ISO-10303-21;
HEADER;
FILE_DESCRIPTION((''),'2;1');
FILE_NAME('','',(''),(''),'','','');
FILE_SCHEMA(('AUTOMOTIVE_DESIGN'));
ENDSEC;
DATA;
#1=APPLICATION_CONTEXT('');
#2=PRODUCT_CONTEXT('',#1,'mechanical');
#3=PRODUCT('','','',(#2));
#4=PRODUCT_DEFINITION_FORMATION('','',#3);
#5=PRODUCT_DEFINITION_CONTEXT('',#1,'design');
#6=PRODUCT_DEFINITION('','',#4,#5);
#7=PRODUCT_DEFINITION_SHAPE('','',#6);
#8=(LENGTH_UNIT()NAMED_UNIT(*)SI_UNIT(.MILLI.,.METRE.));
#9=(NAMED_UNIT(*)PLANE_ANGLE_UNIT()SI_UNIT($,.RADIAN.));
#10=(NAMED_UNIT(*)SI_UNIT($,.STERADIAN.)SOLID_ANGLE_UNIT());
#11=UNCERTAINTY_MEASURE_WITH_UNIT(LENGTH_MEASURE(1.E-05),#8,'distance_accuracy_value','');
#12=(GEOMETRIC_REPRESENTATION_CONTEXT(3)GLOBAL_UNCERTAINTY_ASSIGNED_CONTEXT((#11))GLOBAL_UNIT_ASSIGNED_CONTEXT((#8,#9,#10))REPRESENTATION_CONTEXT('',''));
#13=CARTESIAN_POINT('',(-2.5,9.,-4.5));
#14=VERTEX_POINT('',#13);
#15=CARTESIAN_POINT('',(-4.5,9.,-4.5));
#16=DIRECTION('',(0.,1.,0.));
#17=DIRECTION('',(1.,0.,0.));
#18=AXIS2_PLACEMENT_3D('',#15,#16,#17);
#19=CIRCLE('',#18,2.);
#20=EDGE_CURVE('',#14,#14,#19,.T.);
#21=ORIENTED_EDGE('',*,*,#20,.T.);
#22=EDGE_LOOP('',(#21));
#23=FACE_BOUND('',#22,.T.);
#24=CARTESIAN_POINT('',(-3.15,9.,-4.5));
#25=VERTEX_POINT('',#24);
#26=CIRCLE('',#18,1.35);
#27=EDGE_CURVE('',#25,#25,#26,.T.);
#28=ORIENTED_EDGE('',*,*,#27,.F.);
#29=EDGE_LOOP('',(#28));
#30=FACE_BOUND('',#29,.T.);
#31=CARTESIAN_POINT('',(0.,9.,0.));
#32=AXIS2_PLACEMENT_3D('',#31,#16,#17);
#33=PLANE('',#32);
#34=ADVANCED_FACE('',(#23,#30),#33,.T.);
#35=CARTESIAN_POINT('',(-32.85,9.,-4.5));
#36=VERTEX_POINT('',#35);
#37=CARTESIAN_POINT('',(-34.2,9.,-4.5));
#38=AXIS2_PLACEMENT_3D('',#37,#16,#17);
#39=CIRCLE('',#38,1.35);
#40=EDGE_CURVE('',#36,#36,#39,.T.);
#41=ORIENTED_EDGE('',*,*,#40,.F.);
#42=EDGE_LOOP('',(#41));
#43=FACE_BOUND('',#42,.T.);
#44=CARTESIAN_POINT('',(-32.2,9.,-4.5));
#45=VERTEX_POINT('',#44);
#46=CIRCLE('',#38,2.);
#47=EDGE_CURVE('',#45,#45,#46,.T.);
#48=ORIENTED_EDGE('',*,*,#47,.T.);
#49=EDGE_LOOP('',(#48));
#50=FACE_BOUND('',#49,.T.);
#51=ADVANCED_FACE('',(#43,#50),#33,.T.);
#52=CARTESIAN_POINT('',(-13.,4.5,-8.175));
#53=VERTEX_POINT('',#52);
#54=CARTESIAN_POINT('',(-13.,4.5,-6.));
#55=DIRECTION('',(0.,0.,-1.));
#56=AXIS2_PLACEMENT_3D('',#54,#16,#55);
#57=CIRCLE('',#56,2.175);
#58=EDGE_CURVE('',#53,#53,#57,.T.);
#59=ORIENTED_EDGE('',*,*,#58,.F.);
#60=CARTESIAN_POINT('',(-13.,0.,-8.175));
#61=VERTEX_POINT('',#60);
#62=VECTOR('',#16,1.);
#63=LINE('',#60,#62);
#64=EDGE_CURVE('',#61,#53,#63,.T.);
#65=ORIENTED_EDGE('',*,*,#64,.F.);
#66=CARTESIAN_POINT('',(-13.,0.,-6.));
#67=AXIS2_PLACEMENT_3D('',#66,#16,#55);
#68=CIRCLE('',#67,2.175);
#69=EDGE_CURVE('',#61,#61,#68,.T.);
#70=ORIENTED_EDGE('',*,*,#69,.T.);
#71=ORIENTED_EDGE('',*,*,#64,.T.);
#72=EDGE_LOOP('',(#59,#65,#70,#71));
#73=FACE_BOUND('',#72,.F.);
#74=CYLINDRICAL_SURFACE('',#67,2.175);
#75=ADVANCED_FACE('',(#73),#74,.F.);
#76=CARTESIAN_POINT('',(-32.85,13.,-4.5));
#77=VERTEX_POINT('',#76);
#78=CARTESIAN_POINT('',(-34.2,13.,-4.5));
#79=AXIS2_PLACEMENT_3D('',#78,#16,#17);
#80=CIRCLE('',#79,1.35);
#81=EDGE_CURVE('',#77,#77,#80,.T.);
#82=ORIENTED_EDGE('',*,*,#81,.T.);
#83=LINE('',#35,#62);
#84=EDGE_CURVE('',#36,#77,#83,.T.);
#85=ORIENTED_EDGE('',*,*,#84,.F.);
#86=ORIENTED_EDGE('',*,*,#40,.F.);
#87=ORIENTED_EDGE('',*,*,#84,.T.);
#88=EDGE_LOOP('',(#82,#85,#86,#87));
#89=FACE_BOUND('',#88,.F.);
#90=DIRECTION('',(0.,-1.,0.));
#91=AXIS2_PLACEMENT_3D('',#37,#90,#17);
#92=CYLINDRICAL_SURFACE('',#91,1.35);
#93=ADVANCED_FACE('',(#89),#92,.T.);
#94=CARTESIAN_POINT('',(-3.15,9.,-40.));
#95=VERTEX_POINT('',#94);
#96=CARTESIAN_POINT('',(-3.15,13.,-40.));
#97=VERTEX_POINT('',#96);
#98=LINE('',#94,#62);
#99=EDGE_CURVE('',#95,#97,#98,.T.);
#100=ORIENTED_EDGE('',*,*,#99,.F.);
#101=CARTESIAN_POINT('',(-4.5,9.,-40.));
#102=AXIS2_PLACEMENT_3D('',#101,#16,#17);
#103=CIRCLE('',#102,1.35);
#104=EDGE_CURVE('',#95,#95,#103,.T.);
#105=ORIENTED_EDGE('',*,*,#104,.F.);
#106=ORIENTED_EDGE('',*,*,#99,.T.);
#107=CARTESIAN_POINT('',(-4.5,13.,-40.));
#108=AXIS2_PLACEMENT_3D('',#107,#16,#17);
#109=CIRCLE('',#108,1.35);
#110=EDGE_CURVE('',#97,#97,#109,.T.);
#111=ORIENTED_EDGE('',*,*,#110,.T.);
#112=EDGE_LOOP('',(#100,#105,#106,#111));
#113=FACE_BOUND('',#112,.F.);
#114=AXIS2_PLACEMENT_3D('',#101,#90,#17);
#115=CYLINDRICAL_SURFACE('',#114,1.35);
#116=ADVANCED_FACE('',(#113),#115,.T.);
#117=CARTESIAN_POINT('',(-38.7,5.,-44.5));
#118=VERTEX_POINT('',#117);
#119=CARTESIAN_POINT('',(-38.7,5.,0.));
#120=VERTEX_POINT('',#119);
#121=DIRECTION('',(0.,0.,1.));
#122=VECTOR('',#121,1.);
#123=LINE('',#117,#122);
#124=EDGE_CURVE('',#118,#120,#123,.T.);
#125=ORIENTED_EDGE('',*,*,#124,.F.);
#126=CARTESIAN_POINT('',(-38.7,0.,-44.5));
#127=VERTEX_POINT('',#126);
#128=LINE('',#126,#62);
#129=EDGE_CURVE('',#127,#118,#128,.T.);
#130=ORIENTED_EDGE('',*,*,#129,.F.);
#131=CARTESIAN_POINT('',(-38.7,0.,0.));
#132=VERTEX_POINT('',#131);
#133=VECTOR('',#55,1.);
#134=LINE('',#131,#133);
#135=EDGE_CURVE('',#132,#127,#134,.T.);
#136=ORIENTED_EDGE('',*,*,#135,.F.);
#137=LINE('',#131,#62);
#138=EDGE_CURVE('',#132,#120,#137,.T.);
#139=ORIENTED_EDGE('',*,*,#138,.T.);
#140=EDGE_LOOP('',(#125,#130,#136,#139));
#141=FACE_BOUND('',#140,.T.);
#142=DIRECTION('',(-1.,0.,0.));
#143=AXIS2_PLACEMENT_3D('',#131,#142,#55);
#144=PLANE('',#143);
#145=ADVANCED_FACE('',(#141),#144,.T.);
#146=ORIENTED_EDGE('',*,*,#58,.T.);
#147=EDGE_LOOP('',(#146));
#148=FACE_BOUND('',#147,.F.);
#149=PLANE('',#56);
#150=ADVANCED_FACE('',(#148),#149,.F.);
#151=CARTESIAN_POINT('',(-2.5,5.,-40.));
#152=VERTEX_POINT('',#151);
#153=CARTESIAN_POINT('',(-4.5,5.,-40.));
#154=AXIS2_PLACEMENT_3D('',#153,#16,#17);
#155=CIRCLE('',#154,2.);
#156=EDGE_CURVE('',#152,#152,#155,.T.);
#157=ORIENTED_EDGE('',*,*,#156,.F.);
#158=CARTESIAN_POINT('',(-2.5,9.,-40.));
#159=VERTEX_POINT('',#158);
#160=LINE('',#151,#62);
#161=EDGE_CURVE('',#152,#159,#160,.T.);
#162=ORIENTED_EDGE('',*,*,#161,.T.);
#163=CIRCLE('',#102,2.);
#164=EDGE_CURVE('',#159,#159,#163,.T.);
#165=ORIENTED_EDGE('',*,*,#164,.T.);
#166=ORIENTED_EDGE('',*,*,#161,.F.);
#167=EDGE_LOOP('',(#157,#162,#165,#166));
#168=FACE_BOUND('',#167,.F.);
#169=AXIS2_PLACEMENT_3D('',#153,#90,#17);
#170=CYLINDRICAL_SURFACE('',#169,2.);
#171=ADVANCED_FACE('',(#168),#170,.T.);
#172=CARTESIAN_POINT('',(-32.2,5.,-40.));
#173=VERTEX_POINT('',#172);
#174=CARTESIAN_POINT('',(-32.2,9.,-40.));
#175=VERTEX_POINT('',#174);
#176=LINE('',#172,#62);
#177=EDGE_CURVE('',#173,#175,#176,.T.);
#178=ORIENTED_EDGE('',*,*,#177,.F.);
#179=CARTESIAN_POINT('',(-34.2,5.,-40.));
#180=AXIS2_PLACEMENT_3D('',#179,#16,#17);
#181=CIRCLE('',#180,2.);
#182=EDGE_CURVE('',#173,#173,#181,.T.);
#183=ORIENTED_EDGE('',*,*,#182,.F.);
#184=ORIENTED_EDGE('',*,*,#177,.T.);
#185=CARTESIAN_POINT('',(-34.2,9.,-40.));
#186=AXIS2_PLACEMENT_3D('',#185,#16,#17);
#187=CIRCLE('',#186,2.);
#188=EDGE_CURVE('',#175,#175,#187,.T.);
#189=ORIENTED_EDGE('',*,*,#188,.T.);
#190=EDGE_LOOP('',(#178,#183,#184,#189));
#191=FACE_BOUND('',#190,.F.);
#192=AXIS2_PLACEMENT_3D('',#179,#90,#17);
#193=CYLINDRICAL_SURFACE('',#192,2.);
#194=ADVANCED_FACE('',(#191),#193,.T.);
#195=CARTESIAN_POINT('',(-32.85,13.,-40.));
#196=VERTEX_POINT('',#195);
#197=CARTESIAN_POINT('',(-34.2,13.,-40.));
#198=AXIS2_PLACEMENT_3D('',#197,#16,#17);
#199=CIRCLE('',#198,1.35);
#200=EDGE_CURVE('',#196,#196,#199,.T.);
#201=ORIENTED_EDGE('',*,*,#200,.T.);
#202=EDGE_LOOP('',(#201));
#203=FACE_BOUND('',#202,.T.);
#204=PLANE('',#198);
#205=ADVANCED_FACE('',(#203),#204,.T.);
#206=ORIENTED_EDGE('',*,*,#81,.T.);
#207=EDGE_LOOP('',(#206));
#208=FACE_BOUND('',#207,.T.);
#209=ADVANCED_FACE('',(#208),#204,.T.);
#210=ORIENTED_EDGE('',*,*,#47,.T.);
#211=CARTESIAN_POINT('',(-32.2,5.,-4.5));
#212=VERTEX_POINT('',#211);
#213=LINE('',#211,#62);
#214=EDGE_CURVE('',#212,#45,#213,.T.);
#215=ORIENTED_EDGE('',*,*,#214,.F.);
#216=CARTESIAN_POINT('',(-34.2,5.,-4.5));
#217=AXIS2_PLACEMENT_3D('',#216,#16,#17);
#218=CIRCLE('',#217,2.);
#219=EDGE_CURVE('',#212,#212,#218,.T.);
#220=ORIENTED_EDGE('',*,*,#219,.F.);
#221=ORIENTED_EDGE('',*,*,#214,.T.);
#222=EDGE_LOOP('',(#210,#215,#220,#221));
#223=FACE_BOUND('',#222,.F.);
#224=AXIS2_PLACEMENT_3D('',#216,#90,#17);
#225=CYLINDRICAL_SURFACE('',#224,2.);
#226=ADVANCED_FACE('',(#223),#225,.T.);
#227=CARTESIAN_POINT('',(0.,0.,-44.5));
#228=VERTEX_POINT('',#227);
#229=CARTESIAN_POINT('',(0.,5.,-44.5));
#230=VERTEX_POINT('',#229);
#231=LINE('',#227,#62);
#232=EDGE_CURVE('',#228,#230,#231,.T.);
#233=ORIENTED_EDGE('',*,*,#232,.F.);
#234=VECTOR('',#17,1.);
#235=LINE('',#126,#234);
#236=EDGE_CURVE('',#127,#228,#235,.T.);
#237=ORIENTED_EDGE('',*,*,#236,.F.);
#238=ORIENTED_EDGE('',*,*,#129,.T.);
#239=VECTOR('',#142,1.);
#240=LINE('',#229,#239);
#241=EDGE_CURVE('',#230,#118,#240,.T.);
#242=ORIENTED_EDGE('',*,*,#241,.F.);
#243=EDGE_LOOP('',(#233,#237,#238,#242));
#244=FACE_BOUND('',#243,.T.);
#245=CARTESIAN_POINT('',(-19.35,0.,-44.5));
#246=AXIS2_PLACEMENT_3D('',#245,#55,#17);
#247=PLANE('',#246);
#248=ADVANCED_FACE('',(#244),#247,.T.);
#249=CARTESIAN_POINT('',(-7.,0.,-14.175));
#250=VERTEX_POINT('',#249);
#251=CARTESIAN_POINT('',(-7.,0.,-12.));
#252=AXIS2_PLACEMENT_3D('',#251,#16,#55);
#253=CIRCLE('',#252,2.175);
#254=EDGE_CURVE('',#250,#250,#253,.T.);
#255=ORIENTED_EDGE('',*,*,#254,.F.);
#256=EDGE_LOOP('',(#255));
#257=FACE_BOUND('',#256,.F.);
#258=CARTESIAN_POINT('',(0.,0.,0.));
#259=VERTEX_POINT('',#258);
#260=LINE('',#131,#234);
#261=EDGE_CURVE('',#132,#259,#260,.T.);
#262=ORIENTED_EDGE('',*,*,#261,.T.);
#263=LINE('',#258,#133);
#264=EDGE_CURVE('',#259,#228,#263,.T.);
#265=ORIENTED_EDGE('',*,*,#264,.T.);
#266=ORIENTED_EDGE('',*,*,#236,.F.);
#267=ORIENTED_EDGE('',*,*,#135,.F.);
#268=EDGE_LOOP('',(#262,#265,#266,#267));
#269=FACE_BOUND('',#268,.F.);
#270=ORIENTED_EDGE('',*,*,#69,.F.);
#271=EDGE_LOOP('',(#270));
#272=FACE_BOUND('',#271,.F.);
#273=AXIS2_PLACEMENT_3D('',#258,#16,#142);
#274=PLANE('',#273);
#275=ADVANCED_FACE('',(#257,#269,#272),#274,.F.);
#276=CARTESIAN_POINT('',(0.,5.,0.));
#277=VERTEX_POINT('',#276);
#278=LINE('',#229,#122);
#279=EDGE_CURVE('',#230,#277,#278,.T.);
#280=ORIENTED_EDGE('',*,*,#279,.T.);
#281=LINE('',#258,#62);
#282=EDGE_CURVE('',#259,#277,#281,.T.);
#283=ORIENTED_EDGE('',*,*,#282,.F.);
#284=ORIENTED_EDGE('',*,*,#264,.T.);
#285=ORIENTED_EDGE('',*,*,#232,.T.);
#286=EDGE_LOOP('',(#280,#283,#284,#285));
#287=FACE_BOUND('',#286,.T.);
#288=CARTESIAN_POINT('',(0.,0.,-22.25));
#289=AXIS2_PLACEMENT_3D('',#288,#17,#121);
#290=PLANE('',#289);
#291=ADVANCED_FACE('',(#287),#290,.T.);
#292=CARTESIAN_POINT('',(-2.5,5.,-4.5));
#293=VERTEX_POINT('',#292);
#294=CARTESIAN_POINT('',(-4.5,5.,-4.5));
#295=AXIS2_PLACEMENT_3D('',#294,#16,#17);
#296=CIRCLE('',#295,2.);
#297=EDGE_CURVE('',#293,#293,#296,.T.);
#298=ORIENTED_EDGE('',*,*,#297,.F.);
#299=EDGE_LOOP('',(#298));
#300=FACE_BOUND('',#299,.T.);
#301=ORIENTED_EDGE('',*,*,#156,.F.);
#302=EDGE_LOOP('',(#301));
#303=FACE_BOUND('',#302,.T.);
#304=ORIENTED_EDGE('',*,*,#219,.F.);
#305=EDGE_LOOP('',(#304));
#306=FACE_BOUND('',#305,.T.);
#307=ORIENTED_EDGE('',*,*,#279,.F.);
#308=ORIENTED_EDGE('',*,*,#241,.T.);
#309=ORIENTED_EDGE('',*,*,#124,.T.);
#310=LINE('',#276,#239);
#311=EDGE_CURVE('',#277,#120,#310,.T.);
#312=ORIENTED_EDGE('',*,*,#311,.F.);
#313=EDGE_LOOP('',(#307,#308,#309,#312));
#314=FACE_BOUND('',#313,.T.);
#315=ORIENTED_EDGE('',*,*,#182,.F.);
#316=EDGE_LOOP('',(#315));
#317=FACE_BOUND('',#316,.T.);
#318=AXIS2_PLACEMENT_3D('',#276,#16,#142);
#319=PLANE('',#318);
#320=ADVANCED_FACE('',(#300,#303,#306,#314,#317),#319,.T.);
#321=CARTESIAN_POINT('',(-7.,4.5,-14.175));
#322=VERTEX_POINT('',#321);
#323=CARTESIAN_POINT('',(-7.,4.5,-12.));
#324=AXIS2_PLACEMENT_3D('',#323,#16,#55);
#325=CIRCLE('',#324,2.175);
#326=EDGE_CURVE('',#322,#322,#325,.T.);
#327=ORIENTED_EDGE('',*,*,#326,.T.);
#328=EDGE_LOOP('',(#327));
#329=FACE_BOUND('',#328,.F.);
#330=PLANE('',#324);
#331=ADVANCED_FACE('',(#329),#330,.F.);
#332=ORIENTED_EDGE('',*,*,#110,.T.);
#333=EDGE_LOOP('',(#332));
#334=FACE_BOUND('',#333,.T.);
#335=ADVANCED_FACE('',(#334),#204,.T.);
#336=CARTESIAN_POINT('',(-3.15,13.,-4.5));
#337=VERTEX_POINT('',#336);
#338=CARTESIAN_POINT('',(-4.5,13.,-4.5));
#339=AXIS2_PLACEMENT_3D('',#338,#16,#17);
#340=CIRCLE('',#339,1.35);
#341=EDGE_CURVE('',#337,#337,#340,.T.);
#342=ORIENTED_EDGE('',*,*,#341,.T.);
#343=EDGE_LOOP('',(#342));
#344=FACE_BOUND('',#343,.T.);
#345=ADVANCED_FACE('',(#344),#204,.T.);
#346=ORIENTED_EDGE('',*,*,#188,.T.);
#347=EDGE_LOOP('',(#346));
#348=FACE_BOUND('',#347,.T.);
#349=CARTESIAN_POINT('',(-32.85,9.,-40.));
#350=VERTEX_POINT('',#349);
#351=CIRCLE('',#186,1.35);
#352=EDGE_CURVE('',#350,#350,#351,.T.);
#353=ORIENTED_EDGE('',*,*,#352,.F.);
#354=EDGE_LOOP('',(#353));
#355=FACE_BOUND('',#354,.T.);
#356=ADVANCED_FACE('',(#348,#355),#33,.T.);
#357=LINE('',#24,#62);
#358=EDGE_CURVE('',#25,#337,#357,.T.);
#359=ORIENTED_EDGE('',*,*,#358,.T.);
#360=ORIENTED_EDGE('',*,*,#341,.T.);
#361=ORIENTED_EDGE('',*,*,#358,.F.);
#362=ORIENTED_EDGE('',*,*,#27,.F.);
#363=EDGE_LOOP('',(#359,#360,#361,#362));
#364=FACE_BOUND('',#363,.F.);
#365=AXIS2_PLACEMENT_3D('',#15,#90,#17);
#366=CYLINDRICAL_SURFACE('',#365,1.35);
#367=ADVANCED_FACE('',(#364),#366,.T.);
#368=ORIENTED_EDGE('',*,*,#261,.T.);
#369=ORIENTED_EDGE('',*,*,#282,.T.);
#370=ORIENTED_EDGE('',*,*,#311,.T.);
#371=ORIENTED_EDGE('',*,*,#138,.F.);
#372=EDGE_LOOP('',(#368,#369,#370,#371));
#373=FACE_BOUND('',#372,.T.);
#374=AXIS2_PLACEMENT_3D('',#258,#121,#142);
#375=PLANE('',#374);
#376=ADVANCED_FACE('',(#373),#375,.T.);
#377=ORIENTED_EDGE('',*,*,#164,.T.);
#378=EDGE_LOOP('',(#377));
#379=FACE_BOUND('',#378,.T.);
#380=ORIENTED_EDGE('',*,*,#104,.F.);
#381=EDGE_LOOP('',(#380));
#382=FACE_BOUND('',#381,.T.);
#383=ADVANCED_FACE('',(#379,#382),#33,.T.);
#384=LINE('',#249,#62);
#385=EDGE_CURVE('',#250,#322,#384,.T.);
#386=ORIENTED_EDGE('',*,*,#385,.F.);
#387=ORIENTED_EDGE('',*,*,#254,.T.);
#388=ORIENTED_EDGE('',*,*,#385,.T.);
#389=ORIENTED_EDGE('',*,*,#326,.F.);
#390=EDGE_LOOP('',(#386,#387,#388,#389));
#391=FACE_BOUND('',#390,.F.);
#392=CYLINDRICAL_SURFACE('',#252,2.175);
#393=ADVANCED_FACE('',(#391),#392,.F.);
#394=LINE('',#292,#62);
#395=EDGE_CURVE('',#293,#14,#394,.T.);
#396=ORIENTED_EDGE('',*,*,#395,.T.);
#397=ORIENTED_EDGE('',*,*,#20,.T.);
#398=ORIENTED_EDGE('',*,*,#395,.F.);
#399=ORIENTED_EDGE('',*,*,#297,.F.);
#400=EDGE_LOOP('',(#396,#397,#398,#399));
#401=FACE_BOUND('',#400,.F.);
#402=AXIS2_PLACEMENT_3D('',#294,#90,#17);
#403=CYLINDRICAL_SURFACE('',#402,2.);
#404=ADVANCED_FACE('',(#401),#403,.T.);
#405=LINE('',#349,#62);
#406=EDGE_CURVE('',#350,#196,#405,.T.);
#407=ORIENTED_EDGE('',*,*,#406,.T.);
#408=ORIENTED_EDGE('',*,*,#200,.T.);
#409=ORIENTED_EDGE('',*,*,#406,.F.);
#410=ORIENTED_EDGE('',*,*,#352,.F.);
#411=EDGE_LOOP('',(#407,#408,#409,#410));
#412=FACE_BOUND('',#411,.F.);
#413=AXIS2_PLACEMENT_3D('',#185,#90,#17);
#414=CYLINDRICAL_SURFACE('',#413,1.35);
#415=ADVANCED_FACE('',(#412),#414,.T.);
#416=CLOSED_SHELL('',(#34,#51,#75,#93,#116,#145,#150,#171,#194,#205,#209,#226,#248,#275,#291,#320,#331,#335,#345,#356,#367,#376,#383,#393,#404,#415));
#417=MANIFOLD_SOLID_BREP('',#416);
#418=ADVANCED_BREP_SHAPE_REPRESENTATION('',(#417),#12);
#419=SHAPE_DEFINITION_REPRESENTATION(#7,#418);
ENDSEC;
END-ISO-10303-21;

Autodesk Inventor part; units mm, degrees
ref_plane "YZ Plane" through (0, 0, 0) normal (1, 0, 0) x (0, 1, 0)
ref_plane "XZ Plane" through (0, 0, 0) normal (0, 1, 0) x (-1, 0, 0)
ref_plane "XY Plane" through (0, 0, 0) normal (0, 0, 1) x (1, 0, 0)
sketch "Sketch1" plane through (0, 0, 0) normal (0, 1, 0) x (-1, 0, 0)
  line L0 (0, 0) -> (38.7, 0)
  line L1 (38.7, 0) -> (38.7, -44.5)
  line L2 (38.7, -44.5) -> (0, -44.5)
  line L3 (0, -44.5) -> (0, 0)
  line L4 (38.7, -22.25) -> (0, -22.25)
  line L5 (19.35, 0) -> (19.35, -44.5)
  dimension "d0" = 38.7
  dimension "d1" = 44.5
extrude "Extrusion1" add sketch "Sketch1" along normal blind 5
sketch "Sketch2" plane through (0, 5, 0) normal (0, 1, 0) x (1, 0, 0)
  circle A0 centre (-34.2, 4.5) radius 2
  line L0 (-38.7, 0) -> (0, 0) projected
  line L1 (-38.7, 44.5) -> (-38.7, 0) projected
  circle A1 centre (-34.2, 40) radius 2
  line L2 (0, 44.5) -> (-38.7, 44.5) projected
  circle A2 centre (-4.5, 4.5) radius 2
  line L3 (0, 0) -> (0, 44.5) projected
  circle A3 centre (-4.5, 40) radius 2
  dimension "d16" = 4
  dimension "d17" = 4.5
  dimension "d18" = 4.5
  dimension "d19" = 4
  dimension "d20" = 4.5
  dimension "d21" = 4.5
  dimension "d22" = 4
  dimension "d23" = 4.5
  dimension "d24" = 4.5
  dimension "d25" = 4
  dimension "d26" = 4.5
  dimension "d27" = 4.5
extrude "Extrusion2" add sketch "Sketch2" along normal blind 4 contours A0 | A1 | A2 | A3
sketch "Sketch3" plane through (-34.2, 9, -40) normal (0, 1, 0) x (1, 0, 0)
  circle A0 centre (0, 0) radius 1.35
  circle A1 centre (29.7, 0) radius 2 projected
  circle A2 centre (29.7, 0) radius 1.35
  circle A3 centre (29.7, -35.5) radius 2 projected
  circle A4 centre (29.7, -35.5) radius 1.35
  circle A5 centre (0, -35.5) radius 2 projected
  circle A6 centre (0, -35.5) radius 1.35
  point P0 (34.2, -40)
  dimension "d30" = 2.7
  dimension "d31" = 2.7
  dimension "d32" = 2.7
  dimension "d33" = 2.7
extrude "Extrusion3" add sketch "Sketch3" along normal blind 4 contours A0 | A2 | A4 | A6
sketch "Sketch4" plane through (0, 0, 0) normal (0, -1, 0) x (1, 0, 0)
  circle A0 centre (-13, -6) radius 2.175
  line L0 (0, 0) -> (0, -44.5) projected
  line L1 (-38.7, 0) -> (0, 0) projected
  line L2 (-13, -6) -> (-13, -12)
  line L3 (-13, -12) -> (-7, -12)
  circle A1 centre (-7, -12) radius 2.175
  dimension "d36" = 4.35
  dimension "d37" = 13
  dimension "d38" = 6
  dimension "d39" = 6
  dimension "d40" = 6
  dimension "d41" = 4.35
hole "Hole1" at (-13, 0, -6) at (-7, 0, -12) direction (0, 1, 0) diameter 4.35 depth 4.5
properties part number "PCBMount"
